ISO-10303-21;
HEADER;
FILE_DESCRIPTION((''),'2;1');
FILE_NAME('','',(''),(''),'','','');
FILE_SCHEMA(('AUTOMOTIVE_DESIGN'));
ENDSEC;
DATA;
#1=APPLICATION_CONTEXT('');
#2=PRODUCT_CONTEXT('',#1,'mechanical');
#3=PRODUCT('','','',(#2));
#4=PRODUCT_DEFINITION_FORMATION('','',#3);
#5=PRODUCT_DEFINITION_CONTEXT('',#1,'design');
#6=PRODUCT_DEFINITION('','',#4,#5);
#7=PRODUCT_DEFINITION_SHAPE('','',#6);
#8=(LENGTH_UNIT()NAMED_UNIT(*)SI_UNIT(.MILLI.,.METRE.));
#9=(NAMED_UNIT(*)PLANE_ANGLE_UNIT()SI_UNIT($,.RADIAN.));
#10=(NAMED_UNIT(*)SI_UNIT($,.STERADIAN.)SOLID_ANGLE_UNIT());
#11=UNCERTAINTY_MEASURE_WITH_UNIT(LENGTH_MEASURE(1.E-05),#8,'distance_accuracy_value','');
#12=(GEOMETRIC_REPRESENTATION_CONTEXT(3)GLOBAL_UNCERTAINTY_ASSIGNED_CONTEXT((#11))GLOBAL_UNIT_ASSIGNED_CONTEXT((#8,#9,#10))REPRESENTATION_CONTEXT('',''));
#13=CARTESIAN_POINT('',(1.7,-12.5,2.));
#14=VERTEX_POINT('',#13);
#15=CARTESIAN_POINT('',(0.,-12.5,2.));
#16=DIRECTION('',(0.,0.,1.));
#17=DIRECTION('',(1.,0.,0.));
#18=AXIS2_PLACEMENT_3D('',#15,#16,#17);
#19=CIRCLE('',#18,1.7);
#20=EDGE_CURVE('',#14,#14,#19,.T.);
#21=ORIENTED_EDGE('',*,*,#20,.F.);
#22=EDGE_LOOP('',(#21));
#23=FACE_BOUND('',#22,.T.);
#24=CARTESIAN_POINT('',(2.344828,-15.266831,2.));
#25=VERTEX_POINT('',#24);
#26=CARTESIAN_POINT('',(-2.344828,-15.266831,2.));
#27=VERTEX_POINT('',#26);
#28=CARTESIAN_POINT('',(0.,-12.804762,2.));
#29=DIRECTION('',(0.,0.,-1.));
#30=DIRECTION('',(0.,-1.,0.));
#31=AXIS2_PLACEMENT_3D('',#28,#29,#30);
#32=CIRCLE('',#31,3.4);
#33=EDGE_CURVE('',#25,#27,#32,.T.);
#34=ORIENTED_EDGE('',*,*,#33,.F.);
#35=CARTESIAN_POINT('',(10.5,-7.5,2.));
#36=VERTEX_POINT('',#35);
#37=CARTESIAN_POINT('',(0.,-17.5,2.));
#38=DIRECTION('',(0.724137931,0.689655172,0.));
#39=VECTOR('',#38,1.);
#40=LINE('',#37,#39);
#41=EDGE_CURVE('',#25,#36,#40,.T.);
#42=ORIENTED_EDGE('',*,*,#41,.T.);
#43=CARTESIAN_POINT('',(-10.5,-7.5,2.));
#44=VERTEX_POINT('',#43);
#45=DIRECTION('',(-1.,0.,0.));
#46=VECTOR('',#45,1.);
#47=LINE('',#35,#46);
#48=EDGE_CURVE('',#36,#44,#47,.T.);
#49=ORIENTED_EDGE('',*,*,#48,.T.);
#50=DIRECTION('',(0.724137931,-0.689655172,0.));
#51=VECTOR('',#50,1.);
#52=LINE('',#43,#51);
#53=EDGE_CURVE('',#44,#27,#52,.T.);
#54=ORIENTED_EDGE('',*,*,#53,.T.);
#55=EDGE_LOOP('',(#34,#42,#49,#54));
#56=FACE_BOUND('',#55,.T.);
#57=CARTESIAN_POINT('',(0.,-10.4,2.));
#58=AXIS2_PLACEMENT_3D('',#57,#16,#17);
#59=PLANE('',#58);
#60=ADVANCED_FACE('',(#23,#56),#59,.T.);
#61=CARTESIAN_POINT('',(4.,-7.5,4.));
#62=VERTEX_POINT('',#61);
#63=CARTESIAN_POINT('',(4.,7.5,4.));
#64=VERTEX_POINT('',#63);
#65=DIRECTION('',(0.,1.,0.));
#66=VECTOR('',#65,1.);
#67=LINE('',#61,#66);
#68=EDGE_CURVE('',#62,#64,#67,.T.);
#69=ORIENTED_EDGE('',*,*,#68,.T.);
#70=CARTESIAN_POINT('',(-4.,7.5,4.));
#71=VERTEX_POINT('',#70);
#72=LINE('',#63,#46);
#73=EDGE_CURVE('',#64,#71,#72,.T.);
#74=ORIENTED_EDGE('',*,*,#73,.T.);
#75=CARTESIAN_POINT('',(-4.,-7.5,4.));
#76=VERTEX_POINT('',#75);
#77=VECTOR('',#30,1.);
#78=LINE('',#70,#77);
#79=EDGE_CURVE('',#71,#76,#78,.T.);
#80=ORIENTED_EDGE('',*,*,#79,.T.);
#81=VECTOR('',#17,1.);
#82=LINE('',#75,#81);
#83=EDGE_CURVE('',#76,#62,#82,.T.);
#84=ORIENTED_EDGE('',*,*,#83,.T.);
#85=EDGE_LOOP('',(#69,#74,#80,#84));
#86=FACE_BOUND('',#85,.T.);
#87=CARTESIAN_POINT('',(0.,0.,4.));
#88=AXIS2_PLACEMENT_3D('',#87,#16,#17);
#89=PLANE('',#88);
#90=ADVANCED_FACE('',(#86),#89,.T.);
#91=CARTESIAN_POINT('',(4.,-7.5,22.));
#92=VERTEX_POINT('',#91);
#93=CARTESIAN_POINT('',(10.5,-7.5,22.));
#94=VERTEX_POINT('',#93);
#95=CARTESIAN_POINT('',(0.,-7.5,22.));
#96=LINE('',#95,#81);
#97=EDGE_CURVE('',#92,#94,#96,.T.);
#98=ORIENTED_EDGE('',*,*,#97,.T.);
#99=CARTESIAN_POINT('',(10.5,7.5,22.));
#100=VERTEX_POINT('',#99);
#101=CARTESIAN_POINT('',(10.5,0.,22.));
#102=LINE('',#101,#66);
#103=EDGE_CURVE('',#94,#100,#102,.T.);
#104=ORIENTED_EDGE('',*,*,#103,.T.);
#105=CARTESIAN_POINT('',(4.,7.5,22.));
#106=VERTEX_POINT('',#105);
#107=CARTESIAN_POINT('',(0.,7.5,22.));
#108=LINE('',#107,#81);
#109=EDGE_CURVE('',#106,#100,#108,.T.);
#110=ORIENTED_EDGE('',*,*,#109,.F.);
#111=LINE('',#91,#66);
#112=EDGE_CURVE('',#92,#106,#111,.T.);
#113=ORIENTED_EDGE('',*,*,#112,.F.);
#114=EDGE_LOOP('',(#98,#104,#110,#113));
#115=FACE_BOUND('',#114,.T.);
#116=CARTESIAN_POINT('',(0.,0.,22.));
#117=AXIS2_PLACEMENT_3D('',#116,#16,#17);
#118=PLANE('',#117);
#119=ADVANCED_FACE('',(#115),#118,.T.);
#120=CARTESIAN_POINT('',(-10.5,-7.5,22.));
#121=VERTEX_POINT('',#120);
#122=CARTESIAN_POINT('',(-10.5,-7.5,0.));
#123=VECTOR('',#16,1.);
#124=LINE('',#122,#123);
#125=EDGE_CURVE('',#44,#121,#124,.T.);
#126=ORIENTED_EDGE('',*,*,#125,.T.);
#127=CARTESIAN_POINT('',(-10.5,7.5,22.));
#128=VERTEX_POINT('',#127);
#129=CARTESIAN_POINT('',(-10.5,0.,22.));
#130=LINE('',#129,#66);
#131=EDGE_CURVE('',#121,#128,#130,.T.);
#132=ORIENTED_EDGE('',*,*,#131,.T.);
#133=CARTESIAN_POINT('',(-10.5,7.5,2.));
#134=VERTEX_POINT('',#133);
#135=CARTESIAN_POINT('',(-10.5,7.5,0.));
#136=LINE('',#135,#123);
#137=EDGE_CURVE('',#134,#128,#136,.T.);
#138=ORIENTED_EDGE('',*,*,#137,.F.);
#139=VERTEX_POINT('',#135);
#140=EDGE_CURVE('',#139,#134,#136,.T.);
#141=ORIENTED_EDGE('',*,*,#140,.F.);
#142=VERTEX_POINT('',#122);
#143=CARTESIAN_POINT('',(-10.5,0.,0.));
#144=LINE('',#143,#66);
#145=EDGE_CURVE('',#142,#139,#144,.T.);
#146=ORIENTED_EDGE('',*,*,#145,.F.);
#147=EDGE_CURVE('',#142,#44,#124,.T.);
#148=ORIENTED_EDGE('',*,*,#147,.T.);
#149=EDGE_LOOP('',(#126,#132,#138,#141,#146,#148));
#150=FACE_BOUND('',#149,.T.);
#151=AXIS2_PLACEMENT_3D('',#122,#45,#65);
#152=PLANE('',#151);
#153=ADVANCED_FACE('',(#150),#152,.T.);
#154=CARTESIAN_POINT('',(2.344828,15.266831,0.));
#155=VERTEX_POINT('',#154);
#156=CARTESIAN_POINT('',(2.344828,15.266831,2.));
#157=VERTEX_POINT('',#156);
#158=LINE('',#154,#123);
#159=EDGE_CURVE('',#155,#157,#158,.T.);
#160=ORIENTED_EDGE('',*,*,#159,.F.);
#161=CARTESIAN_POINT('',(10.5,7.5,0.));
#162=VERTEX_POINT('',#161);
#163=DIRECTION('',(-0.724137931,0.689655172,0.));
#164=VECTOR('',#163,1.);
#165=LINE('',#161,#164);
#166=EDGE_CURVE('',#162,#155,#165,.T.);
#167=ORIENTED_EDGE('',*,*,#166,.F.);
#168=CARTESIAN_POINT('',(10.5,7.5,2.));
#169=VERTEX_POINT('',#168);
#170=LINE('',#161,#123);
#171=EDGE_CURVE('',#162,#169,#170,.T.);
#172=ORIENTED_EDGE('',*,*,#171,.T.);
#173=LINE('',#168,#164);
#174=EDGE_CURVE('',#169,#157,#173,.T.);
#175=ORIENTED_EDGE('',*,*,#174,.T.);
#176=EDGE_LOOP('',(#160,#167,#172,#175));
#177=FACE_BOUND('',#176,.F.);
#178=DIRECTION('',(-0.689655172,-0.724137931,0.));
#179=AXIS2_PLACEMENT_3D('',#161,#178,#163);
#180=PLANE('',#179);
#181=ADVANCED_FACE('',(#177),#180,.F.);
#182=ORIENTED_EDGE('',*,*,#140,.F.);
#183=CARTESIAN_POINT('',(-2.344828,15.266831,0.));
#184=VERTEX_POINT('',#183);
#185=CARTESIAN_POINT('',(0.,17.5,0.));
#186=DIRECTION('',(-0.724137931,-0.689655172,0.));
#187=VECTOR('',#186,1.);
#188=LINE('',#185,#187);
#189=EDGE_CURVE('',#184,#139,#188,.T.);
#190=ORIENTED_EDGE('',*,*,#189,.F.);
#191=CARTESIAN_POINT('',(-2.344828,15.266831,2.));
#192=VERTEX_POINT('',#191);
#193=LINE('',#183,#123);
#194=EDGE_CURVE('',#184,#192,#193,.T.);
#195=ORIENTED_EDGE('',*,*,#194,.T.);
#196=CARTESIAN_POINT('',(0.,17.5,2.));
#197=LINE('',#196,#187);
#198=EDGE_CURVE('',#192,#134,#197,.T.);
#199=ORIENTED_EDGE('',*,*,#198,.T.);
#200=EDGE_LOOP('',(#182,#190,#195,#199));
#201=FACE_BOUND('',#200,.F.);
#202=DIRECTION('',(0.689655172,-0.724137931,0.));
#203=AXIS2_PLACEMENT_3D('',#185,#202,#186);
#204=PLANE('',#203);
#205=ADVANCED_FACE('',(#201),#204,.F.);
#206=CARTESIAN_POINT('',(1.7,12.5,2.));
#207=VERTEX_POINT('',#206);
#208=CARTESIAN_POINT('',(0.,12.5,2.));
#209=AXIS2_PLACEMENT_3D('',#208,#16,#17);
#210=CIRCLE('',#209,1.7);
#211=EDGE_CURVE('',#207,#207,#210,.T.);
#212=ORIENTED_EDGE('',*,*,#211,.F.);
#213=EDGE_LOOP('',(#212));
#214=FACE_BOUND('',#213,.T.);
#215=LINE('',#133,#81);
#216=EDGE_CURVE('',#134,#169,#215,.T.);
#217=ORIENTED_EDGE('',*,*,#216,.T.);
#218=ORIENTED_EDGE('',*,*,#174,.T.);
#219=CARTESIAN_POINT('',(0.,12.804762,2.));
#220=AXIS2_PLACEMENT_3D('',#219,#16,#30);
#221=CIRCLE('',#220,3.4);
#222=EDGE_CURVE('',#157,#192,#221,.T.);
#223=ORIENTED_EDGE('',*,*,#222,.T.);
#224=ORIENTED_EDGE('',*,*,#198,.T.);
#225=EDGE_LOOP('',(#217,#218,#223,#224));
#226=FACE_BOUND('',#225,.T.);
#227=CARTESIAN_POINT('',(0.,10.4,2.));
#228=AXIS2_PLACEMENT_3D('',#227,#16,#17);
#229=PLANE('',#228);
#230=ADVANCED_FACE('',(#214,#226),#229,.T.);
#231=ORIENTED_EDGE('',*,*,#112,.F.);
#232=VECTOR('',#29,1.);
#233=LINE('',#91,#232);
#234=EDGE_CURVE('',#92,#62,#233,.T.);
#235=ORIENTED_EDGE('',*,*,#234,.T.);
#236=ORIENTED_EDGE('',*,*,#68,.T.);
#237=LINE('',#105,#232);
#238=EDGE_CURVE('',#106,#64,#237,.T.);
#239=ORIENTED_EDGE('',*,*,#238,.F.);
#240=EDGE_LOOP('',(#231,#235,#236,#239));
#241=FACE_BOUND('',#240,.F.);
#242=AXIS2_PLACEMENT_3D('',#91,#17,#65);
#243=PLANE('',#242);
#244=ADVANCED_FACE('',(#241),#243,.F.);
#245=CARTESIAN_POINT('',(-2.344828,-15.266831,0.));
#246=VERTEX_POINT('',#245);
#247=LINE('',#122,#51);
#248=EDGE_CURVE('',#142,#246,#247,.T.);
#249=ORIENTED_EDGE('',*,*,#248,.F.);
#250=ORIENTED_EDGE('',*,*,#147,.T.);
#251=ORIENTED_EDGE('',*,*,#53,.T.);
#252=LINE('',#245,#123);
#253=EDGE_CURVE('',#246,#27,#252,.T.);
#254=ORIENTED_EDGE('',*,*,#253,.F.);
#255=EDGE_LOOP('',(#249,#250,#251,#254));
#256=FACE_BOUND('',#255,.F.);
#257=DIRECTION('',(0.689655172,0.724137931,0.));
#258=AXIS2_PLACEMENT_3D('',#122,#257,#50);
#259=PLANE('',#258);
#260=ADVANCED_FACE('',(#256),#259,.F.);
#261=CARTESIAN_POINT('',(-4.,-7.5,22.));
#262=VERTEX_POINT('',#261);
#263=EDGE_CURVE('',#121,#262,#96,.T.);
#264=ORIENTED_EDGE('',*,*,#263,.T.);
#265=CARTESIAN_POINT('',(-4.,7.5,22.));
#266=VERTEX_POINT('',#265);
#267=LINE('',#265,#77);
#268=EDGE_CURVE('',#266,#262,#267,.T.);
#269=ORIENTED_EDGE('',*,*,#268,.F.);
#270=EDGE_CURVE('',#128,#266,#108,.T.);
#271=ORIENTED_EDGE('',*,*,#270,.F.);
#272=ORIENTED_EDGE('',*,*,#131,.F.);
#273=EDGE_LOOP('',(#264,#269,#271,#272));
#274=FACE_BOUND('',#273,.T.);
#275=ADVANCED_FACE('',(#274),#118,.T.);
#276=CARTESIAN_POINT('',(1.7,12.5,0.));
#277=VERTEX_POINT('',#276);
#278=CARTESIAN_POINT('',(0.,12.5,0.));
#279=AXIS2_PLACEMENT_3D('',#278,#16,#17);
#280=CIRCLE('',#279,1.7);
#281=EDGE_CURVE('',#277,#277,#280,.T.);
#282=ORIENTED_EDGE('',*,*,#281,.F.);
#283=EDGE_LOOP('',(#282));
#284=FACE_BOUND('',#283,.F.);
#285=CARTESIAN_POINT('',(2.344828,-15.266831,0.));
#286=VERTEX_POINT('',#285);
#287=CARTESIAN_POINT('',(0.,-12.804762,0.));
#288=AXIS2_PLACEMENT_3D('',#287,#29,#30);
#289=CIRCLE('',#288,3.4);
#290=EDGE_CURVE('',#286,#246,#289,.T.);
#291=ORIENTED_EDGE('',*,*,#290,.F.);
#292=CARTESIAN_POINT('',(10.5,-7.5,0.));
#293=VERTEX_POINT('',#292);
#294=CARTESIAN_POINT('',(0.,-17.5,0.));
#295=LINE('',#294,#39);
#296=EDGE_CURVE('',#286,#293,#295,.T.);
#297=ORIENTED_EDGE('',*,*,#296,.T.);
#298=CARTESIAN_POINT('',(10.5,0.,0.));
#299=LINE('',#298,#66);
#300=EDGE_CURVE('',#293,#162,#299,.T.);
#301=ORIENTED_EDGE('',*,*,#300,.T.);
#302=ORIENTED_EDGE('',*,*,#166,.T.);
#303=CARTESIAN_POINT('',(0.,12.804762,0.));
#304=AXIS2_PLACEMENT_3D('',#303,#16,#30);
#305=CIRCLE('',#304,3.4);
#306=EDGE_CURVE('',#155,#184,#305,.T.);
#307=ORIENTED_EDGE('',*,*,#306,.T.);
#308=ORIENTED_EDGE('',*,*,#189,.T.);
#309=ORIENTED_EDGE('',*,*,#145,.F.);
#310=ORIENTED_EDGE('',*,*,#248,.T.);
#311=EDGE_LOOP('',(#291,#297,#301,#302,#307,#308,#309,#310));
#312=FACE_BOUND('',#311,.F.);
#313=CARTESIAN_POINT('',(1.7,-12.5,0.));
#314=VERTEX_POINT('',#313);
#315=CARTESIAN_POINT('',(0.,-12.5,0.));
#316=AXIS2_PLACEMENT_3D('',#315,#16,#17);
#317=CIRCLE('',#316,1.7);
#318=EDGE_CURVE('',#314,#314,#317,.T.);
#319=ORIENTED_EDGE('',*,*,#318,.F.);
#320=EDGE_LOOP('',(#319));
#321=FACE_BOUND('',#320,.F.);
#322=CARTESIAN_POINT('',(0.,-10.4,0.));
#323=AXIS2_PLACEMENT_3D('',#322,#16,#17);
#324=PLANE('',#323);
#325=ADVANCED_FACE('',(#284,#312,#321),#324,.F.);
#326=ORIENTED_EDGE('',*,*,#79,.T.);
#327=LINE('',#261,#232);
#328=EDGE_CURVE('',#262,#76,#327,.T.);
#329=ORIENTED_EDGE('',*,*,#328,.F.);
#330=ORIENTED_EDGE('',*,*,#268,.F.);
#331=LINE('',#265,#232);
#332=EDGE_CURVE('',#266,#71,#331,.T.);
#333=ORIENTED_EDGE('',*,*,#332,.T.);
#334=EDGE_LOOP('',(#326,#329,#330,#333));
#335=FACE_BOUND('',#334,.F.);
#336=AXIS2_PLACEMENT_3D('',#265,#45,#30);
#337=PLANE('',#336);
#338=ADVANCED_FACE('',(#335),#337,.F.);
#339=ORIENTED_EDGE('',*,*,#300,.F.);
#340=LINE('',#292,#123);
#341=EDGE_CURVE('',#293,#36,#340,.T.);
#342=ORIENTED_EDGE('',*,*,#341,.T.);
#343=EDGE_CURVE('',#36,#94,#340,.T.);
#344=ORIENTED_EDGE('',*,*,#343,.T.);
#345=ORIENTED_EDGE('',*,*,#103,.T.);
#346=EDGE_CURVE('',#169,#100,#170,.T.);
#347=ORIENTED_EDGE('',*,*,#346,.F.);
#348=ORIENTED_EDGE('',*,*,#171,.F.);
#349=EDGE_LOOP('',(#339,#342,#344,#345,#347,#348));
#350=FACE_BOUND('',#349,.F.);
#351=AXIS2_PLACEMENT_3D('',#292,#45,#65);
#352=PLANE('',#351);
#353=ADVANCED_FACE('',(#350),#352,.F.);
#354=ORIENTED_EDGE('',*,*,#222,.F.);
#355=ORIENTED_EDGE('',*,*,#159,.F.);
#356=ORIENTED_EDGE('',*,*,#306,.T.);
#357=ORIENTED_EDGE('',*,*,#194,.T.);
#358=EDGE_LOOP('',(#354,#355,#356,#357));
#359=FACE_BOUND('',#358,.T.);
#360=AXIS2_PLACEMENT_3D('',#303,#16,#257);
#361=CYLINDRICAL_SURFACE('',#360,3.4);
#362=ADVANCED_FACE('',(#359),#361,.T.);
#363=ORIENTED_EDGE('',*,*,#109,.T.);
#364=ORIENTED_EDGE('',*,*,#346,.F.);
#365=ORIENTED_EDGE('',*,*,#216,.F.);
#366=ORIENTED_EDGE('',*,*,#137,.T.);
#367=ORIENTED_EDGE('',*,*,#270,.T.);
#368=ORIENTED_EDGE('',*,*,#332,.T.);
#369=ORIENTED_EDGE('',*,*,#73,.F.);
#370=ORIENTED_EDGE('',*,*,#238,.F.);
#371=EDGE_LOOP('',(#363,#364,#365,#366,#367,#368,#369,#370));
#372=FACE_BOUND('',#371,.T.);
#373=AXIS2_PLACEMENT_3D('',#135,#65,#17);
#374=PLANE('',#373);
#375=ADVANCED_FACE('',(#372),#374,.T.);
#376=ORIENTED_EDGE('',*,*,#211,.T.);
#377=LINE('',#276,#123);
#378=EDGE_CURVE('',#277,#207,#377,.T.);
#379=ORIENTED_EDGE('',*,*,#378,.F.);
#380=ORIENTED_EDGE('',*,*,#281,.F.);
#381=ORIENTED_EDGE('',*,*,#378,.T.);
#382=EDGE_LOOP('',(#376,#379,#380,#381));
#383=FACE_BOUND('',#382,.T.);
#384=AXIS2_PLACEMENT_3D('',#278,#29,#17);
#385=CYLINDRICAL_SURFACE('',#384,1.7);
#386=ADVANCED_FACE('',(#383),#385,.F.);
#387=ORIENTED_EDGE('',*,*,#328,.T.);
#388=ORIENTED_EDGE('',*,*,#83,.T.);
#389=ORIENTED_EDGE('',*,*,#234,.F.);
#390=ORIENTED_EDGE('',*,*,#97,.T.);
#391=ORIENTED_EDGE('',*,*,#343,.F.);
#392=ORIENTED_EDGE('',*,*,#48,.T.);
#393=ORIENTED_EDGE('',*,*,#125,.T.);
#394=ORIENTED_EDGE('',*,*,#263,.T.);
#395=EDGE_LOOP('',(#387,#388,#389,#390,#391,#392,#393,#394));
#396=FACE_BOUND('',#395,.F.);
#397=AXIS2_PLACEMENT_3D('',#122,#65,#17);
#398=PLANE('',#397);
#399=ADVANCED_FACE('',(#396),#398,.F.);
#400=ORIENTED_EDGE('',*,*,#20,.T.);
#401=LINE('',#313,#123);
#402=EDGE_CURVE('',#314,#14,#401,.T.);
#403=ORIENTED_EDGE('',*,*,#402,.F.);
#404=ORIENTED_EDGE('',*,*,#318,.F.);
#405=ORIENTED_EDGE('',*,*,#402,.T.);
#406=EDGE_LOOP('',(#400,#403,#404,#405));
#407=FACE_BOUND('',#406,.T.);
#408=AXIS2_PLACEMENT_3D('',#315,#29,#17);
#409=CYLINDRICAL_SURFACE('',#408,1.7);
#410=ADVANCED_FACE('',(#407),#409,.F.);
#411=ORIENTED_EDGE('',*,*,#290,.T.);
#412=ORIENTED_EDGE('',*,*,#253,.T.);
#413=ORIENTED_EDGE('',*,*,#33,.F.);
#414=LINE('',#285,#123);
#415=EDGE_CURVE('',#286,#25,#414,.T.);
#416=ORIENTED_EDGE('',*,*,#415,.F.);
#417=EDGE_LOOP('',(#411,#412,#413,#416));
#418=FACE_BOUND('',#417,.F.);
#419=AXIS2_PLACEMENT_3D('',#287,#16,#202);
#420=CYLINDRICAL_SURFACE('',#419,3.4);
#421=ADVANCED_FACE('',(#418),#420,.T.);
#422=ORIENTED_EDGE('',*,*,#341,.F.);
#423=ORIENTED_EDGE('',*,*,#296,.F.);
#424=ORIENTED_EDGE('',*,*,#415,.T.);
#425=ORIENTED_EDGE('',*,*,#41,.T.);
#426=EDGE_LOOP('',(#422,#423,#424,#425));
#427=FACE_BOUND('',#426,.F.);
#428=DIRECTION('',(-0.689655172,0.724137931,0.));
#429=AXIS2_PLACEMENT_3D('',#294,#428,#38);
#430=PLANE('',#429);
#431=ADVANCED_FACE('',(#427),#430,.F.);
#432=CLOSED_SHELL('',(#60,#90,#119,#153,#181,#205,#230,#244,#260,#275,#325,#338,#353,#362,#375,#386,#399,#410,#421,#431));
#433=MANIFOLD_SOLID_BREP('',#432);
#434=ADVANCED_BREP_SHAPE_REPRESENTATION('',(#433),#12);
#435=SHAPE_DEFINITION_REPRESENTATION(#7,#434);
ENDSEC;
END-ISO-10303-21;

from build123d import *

# Parameters (mm, degrees)
F0_W     = 21
F0_H     = 15
F0_W_2   = 19.5
F0_H_2   = 12.75
F1_DEPTH = 22
F0_R     = 1.7
F2_DEPTH = 2
F3_R     = 3.4
F5_DEPTH = 18


with BuildPart() as f1:
    # F0 (on Top) → F1 (new body)
    with BuildSketch(Plane.XY):
        Rectangle(F0_W, F0_H)
        Rectangle(F0_W_2, F0_H_2, mode=Mode.SUBTRACT)
        Rectangle(F0_W_2, F0_H_2)
    extrude(amount=F1_DEPTH)

    # F0 (on Top) → F2 (join)
    with BuildSketch(Plane.XY):
        Polygon((10.5, -7.5), (-10.5, -7.5), (0, -17.5), align=None)
        with Locations((0, -12.5)):
            Circle(F0_R, mode=Mode.SUBTRACT)
        Polygon((0, 17.5), (-10.5, 7.5), (10.5, 7.5), align=None)
        with Locations((0, 12.5)):
            Circle(F0_R, mode=Mode.SUBTRACT)
    extrude(amount=F2_DEPTH)

    # F3
    f3_edges = [f1.edges().sort_by_distance(p)[0] for p in [
        (0, -17.5, 1),
        (0, 17.5, 1),
    ]]
    fillet(f3_edges, radius=F3_R)

    # F4 (on face) → F5 (cut)
    with BuildSketch(Plane.XY.offset(22)):
        Polygon((-4, -7.5), (0, -7.5), (4, -7.5), (4, 7.5), (-4, 7.5), align=None)
    extrude(amount=-F5_DEPTH, mode=Mode.SUBTRACT)


solid = f1.part
